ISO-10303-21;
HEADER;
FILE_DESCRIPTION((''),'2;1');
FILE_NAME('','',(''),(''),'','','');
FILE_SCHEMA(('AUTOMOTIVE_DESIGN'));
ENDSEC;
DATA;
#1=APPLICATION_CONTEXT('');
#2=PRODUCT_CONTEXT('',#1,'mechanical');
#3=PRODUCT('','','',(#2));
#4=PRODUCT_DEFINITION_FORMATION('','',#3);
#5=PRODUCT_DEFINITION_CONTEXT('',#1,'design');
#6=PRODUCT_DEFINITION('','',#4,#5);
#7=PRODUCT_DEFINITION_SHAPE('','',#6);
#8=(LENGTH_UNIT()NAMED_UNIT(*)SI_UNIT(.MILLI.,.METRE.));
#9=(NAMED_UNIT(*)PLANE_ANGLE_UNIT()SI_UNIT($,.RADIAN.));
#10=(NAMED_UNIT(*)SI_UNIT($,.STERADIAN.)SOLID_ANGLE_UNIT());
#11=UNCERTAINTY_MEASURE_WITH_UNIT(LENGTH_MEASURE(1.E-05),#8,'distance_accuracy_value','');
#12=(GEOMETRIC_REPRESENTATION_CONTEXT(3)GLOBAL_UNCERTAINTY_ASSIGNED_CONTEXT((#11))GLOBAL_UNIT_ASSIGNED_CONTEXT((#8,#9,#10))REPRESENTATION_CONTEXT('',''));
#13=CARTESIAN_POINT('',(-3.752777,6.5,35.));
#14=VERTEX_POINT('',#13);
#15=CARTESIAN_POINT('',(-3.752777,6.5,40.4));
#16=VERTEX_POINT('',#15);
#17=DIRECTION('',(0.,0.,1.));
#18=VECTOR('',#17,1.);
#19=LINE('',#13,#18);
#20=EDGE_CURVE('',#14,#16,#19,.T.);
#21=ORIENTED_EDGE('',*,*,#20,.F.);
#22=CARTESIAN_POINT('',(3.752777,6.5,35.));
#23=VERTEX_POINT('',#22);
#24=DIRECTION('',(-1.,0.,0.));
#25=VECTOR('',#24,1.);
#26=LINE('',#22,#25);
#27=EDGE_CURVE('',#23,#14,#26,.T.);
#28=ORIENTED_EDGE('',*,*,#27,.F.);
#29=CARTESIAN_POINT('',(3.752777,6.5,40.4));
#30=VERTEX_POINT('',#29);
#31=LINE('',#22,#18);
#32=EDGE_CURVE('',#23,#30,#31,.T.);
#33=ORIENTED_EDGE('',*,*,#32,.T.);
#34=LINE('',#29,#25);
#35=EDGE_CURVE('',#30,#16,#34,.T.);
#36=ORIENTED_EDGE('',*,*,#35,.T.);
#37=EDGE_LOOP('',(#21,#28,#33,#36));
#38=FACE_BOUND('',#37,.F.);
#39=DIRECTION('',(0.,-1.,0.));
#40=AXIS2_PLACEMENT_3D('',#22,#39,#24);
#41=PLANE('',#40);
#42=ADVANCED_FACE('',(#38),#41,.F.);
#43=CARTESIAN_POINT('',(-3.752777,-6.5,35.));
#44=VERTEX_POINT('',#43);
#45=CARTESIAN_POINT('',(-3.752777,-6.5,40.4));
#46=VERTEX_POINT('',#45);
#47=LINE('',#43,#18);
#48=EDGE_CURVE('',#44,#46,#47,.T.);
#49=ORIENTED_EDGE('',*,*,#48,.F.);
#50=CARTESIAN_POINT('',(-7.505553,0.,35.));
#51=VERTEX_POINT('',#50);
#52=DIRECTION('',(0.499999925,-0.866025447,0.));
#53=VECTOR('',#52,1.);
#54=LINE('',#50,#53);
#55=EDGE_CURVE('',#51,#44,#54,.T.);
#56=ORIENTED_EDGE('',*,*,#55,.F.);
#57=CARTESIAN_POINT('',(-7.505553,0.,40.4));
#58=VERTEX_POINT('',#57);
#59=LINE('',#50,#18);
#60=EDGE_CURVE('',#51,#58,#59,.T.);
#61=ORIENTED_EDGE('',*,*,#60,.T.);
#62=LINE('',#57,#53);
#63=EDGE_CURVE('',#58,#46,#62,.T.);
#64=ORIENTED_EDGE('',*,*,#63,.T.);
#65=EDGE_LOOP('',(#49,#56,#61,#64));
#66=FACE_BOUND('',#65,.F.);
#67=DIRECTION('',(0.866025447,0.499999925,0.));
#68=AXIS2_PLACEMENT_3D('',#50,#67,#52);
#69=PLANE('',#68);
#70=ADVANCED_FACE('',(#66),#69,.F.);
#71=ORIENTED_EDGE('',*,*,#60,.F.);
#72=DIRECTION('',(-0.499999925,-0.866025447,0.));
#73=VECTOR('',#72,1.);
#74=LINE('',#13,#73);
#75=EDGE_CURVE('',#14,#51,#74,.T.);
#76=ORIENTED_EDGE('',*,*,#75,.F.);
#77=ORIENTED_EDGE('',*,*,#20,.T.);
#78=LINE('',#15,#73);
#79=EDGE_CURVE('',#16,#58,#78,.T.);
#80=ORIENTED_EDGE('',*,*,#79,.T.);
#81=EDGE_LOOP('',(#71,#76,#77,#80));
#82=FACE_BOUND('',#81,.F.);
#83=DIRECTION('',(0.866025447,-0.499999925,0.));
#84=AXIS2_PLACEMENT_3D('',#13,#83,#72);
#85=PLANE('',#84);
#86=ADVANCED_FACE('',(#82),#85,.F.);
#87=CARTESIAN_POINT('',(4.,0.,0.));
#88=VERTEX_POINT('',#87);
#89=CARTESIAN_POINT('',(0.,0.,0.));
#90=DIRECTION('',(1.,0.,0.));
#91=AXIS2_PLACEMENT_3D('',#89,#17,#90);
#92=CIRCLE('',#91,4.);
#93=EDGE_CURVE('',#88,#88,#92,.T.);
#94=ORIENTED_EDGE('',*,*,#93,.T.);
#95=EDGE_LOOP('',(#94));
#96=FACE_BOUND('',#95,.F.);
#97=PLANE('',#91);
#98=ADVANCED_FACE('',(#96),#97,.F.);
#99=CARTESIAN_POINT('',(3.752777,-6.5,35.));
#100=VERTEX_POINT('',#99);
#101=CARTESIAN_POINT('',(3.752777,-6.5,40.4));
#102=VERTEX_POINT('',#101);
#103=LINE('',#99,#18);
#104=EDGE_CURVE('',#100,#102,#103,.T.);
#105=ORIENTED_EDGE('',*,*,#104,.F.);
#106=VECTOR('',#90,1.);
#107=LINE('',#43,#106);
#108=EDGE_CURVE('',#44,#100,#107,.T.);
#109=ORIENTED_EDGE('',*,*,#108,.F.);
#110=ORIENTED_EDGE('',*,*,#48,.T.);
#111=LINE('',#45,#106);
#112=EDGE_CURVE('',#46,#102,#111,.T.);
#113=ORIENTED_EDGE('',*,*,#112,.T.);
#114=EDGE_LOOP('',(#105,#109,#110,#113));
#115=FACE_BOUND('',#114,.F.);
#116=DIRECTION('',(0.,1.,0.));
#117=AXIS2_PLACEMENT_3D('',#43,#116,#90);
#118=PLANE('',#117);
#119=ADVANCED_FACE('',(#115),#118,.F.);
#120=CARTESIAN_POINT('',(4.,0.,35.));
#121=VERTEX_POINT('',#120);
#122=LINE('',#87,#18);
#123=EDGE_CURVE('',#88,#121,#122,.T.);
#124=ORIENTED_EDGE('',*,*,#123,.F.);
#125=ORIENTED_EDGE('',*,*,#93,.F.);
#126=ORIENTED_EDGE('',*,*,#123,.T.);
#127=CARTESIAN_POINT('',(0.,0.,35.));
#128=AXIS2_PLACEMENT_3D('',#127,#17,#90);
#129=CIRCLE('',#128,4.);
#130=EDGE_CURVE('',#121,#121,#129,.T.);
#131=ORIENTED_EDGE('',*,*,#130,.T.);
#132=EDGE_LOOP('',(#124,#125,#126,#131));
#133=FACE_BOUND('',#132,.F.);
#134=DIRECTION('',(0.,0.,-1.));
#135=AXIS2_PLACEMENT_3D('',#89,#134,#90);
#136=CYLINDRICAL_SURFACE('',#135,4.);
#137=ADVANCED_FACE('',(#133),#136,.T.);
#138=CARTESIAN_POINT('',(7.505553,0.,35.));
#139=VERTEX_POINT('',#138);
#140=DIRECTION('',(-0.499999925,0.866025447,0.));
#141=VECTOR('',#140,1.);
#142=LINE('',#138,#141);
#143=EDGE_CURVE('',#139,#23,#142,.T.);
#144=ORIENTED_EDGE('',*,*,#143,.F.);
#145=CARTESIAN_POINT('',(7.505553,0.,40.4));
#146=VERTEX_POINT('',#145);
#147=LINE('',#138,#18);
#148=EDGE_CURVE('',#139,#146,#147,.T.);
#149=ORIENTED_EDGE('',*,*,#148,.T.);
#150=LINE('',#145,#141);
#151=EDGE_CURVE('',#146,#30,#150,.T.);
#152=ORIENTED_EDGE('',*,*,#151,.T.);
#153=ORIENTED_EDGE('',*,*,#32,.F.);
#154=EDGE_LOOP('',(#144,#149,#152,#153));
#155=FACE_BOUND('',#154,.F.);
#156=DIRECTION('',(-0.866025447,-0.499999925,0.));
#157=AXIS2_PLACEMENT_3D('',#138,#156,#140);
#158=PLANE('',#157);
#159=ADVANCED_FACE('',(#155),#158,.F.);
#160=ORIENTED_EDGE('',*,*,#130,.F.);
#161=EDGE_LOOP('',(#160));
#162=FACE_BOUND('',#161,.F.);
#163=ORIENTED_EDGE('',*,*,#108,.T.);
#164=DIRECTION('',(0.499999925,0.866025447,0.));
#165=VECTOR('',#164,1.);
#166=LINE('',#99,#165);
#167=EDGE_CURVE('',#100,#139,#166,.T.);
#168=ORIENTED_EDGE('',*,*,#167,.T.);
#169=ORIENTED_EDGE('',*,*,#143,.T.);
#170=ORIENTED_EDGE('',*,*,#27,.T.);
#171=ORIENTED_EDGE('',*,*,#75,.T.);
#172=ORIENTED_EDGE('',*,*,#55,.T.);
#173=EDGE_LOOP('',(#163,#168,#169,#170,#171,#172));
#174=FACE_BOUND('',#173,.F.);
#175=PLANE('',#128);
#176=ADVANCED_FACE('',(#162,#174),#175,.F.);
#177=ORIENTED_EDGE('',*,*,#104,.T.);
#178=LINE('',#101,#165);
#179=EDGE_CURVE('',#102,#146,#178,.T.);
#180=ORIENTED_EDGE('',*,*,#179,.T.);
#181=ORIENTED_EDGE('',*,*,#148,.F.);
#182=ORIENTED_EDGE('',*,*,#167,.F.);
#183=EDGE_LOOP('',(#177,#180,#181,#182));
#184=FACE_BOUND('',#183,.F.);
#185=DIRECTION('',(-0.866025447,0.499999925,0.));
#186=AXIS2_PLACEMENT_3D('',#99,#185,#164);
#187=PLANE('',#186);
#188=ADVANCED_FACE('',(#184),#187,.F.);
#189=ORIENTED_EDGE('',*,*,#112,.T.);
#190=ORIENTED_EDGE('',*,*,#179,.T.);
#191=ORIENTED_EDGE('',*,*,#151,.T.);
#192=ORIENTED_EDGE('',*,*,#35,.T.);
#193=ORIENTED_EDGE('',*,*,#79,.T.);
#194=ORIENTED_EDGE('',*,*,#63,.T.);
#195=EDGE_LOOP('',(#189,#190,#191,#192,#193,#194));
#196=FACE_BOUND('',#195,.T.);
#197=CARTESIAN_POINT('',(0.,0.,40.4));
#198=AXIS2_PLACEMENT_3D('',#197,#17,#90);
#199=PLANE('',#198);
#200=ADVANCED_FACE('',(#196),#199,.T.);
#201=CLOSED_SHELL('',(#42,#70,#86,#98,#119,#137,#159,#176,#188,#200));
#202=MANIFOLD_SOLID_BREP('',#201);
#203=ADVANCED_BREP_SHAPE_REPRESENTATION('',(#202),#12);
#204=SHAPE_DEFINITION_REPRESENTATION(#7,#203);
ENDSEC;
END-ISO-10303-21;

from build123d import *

# Parameters (mm, degrees)
F0_R     = 4
F1_DEPTH = 35
F3_DEPTH = 5.4


with BuildPart() as f1:
    # F0 (on Top) → F1 (new body)
    with BuildSketch(Plane.XY):
        Circle(F0_R)
    extrude(amount=F1_DEPTH)

    # F2 (on face) → F3 (join)
    with BuildSketch(Plane.XY.offset(35)):
        Polygon((3.752777, 6.5), (-3.752777, 6.5), (-7.505553, 0), (-3.752777, -6.5), (3.752777, -6.5), (7.505553, 0), align=None)
    extrude(amount=F3_DEPTH)


solid = f1.part
